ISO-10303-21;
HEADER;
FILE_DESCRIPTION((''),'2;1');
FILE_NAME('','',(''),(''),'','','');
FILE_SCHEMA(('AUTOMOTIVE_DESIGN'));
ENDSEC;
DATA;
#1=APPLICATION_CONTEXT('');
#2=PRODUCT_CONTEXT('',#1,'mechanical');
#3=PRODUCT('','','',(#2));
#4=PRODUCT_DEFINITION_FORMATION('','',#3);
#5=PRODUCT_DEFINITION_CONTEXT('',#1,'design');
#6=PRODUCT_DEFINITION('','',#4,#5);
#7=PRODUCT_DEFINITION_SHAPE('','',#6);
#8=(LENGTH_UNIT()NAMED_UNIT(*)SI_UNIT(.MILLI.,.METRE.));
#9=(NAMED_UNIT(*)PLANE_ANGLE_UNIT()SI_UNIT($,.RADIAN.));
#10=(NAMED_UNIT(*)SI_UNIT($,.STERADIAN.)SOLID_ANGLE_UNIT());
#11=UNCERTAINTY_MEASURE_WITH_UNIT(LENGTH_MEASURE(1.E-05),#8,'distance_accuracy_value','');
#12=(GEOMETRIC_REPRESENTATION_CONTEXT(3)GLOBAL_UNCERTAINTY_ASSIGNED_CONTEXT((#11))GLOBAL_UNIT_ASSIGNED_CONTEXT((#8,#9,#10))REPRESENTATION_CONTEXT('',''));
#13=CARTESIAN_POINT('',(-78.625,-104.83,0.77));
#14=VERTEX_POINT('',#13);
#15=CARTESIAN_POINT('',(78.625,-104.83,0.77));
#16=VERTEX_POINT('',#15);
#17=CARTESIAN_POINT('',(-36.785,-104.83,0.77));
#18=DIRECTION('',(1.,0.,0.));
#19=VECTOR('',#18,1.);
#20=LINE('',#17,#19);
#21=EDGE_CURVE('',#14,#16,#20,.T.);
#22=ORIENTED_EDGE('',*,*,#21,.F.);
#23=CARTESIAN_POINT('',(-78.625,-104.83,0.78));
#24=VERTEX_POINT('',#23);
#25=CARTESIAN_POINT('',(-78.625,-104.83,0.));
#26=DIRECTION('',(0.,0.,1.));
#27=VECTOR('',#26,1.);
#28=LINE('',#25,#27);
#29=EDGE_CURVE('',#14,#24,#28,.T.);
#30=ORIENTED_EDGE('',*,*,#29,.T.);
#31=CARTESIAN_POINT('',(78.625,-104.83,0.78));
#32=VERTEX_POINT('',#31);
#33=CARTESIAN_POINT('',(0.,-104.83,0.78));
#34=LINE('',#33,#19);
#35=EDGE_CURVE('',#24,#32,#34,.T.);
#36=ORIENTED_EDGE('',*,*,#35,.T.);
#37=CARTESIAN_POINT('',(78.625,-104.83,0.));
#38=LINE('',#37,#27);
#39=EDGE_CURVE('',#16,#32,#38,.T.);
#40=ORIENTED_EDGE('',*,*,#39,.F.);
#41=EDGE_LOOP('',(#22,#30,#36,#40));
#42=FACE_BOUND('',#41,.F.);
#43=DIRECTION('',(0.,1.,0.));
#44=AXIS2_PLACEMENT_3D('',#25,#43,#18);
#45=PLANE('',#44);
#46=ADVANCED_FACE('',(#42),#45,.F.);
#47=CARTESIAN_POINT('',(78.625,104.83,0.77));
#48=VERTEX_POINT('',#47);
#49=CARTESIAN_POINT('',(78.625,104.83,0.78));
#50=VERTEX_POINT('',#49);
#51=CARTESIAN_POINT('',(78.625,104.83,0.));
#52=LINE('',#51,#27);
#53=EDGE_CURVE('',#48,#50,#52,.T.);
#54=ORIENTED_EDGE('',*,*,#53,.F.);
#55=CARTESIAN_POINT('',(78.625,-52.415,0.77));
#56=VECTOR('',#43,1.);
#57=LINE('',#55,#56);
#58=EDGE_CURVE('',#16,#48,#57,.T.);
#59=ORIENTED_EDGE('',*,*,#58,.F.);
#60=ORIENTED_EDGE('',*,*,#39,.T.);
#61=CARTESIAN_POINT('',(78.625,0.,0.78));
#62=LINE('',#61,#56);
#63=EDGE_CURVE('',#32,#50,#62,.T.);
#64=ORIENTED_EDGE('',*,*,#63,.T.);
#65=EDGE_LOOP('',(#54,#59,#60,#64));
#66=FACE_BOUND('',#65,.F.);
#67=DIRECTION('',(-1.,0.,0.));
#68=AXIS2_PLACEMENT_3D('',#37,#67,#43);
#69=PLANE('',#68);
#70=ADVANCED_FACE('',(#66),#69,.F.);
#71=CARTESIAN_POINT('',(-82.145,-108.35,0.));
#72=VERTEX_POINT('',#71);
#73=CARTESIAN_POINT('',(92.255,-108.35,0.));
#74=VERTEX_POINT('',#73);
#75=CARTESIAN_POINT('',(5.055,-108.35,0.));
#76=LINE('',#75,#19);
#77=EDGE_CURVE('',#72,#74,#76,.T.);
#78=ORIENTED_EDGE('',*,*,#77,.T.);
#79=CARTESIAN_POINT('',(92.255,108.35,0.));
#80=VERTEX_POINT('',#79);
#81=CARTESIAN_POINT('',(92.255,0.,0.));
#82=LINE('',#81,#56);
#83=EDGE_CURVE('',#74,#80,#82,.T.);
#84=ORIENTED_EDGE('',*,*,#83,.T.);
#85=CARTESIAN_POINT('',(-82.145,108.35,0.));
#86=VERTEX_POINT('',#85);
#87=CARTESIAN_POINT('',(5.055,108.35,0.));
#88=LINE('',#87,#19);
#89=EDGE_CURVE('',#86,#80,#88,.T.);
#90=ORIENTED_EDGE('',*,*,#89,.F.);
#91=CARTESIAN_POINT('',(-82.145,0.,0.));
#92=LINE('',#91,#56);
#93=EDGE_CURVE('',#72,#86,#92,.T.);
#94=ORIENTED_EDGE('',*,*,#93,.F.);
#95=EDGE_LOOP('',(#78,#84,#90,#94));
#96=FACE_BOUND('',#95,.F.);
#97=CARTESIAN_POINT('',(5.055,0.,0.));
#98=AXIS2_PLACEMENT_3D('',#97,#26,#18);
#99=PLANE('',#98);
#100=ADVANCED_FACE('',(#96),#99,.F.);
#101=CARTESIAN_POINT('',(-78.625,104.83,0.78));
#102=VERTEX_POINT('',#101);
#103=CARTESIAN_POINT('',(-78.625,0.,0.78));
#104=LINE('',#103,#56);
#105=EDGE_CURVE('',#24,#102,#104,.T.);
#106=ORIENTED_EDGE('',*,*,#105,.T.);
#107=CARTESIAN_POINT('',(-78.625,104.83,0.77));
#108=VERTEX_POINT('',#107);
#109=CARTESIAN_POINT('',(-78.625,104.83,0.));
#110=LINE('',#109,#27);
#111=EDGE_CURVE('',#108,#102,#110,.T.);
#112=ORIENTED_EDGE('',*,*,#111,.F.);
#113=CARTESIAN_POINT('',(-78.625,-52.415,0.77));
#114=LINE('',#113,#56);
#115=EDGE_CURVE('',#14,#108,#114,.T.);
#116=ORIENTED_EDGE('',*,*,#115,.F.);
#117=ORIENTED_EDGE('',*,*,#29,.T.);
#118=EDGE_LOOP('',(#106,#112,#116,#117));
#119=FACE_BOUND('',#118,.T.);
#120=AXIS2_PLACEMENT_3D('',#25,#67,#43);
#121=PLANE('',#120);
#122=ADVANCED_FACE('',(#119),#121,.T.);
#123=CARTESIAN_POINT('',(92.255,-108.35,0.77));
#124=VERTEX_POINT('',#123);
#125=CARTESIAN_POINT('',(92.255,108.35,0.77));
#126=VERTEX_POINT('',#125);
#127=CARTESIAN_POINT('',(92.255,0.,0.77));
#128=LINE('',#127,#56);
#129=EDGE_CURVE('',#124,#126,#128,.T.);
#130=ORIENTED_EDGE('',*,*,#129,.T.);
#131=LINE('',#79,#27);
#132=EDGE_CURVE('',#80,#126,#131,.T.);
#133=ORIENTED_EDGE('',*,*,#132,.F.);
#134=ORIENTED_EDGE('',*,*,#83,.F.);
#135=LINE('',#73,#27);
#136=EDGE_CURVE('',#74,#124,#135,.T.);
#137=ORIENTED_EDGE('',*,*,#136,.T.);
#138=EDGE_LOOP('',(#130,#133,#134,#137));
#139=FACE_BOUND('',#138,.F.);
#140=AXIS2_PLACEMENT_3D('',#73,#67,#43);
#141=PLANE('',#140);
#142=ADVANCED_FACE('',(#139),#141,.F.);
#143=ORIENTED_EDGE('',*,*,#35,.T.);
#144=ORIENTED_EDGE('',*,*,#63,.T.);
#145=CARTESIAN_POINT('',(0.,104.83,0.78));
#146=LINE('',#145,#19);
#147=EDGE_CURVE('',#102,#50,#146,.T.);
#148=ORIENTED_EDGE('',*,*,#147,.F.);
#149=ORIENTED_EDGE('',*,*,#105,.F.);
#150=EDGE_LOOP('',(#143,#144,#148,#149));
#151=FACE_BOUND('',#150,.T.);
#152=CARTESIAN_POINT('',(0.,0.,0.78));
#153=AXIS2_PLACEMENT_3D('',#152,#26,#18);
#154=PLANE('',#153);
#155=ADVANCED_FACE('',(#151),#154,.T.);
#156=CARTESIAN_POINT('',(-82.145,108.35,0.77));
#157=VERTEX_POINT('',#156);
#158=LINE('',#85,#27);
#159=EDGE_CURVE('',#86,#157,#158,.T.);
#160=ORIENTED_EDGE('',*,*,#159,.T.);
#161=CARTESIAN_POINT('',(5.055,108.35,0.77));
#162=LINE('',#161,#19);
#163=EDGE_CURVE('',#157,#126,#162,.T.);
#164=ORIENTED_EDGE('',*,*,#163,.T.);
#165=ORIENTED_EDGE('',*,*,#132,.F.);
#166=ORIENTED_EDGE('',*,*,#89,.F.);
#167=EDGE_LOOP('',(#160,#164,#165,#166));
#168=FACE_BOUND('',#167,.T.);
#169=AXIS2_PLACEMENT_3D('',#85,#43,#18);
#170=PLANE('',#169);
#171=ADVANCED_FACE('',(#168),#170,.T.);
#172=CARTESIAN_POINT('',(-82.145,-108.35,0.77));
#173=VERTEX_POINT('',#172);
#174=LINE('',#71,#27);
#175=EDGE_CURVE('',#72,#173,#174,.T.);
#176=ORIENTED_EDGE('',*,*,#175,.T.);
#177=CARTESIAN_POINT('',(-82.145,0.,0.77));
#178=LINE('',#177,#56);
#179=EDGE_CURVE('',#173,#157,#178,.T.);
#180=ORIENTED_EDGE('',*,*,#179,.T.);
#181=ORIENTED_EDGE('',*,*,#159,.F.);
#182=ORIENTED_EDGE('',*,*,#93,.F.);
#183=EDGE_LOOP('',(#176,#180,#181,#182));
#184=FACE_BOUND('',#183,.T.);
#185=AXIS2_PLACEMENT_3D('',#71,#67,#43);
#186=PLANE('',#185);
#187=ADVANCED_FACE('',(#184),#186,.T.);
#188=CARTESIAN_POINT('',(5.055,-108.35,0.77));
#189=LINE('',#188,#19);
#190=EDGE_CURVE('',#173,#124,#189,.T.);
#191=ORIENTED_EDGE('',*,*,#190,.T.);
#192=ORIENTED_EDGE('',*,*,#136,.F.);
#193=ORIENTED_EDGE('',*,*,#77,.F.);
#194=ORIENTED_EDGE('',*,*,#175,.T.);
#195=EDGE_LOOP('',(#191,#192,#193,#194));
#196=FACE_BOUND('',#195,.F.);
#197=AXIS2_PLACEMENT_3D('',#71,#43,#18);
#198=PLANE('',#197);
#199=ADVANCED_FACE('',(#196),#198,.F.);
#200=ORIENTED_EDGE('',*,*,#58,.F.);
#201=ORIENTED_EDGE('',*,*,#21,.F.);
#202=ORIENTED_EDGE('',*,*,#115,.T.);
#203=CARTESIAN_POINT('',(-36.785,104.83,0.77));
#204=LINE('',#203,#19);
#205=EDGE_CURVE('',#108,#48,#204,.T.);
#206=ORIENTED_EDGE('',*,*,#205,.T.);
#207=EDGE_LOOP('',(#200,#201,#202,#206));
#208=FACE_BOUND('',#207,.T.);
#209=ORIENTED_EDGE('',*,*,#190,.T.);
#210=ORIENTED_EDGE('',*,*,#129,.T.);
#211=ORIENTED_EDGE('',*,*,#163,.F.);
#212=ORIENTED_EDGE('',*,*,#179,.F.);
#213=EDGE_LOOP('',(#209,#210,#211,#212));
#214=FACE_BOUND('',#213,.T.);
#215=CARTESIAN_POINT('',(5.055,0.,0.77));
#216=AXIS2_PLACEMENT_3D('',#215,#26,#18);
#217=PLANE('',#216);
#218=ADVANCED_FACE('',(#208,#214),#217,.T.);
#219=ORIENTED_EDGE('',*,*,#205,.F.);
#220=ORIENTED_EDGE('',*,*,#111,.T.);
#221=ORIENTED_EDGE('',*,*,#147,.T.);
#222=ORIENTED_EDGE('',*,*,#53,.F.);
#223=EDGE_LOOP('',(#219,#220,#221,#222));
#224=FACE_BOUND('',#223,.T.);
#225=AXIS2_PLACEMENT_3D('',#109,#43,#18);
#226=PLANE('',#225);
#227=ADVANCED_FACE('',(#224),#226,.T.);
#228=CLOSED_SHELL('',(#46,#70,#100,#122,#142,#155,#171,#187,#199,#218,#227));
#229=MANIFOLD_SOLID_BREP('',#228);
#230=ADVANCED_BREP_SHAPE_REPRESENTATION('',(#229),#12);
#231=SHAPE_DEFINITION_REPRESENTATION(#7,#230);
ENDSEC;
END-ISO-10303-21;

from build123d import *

# Parameters (mm, degrees)
SKETCH_W     = 157.25
SKETCH_H     = 209.66
PAD_DEPTH    = 0.78
SKETCH001_W  = 174.4
SKETCH001_H  = 216.7
PAD001_DEPTH = 0.77


with BuildPart() as part:
    # Sketch → Pad (new body)
    with BuildSketch(Plane.XY):
        Rectangle(SKETCH_W, SKETCH_H)
    extrude(amount=PAD_DEPTH)

    # Sketch001 → Pad001 (join)
    with BuildSketch(Plane.XY):
        with Locations((5.055, 0)):
            Rectangle(SKETCH001_W, SKETCH001_H)
    extrude(amount=PAD001_DEPTH)


solid = part.part
